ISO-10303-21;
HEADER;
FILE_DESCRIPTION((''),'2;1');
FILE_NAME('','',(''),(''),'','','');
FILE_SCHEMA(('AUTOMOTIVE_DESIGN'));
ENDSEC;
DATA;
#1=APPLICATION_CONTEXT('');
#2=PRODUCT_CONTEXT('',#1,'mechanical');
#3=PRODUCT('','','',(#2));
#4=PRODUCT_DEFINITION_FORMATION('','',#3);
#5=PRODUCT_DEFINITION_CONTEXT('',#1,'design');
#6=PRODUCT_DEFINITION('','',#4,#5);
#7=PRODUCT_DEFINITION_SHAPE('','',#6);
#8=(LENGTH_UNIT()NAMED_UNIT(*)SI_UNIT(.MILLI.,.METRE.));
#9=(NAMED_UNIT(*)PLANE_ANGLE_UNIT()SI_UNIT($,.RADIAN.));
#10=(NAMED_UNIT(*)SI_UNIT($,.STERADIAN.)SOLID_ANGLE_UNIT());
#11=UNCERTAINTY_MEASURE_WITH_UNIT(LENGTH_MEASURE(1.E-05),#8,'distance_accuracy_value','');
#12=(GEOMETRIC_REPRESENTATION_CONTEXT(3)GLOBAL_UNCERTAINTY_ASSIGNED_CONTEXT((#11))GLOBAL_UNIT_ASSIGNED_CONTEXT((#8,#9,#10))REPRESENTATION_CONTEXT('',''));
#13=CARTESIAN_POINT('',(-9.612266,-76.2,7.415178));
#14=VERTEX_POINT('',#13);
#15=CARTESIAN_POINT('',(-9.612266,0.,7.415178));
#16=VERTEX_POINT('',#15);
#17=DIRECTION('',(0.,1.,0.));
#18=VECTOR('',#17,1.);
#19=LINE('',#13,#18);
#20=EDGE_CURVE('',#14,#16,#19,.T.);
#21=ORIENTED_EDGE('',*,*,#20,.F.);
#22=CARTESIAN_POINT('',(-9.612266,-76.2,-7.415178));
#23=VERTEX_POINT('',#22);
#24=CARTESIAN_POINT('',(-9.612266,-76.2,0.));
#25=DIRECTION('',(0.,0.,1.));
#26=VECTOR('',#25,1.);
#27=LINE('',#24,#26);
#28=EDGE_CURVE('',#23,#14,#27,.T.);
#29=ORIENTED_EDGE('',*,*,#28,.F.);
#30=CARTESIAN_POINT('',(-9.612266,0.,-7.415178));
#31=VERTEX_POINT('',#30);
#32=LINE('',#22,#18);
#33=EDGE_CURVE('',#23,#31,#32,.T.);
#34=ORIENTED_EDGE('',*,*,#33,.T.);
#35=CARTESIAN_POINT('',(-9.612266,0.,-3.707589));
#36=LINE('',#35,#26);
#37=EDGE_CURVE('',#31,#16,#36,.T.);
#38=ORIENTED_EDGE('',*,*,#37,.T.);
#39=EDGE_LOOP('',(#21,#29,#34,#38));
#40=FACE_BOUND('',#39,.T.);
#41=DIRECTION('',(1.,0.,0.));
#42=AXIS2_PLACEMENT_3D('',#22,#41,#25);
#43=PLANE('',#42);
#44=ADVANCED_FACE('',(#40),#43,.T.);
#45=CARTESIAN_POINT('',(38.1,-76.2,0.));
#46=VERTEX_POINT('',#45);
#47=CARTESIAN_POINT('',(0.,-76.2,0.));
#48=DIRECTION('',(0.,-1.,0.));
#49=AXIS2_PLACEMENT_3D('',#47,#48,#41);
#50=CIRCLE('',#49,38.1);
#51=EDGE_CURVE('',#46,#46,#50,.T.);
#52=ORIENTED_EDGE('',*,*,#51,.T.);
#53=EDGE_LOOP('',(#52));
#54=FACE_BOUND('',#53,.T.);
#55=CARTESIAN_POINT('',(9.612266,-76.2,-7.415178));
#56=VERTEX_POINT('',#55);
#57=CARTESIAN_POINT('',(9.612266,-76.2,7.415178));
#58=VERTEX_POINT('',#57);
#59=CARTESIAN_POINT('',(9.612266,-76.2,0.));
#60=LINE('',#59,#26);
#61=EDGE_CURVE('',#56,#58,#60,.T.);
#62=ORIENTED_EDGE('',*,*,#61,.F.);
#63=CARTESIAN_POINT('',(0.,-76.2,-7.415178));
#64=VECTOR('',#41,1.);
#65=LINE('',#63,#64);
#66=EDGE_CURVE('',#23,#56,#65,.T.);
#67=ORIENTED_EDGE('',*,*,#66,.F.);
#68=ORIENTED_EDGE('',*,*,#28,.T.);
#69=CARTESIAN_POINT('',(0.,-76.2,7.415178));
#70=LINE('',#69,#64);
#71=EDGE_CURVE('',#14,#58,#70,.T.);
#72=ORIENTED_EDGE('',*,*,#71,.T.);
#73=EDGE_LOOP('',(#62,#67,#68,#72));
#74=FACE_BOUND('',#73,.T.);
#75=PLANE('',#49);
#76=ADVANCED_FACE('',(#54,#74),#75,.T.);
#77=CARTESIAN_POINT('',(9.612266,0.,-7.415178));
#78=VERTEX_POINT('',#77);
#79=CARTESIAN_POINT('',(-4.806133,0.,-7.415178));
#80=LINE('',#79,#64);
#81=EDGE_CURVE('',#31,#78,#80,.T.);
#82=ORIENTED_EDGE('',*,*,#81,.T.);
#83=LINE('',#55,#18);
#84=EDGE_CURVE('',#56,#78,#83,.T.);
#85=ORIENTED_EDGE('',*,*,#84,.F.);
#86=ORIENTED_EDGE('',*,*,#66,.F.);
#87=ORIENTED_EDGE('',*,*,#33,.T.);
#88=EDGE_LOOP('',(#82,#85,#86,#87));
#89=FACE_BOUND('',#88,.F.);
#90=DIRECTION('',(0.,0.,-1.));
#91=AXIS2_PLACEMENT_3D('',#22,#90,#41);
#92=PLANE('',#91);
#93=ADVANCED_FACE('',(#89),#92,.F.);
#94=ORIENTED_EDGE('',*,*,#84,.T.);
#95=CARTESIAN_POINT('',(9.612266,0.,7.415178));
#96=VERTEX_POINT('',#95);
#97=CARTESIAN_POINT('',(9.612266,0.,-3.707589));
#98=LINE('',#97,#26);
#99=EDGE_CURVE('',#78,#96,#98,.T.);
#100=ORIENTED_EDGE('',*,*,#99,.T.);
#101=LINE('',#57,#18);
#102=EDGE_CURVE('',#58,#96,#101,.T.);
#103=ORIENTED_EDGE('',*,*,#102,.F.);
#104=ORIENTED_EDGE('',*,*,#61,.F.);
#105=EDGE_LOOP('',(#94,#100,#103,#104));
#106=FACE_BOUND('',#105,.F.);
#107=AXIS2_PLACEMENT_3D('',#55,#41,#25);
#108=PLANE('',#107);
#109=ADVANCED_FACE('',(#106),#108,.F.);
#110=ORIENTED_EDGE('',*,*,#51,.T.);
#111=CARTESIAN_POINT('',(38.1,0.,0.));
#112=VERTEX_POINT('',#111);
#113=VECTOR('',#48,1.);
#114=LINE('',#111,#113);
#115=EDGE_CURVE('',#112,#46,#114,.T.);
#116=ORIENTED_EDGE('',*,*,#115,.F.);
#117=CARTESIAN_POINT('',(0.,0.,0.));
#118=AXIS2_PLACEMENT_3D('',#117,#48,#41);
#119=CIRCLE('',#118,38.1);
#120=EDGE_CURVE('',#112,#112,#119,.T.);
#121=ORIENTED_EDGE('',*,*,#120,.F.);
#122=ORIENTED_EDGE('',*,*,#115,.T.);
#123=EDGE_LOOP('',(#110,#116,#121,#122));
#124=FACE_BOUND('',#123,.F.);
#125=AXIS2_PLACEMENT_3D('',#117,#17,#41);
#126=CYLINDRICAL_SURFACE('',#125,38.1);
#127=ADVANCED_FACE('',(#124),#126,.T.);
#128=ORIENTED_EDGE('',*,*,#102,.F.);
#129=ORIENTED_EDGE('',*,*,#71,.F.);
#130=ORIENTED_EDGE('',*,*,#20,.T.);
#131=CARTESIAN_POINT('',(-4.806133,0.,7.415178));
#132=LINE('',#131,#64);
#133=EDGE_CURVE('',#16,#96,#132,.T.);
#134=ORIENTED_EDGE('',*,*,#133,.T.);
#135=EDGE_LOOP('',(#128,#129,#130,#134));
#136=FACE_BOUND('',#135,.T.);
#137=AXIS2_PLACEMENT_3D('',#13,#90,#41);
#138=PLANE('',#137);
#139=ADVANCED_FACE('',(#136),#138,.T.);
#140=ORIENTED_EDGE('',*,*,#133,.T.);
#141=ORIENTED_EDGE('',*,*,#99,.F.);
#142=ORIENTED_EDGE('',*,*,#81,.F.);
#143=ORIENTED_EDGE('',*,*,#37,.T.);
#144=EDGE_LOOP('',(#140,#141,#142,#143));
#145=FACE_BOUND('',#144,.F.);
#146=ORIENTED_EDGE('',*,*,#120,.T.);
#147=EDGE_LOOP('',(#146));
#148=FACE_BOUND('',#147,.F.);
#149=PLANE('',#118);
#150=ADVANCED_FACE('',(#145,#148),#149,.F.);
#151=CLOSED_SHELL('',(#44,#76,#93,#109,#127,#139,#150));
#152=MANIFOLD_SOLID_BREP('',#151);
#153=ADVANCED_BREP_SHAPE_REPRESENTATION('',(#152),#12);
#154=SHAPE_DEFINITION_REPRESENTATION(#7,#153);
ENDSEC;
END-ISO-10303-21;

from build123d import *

# Parameters (mm, degrees)
F0_R     = 38.1
F1_DEPTH = 76.2
F2_W     = 19.224532
F2_H     = 14.830356
F3_DEPTH = 76.201


with BuildPart() as f1:
    # F0 (on Front) → F1 (new body)
    with BuildSketch(Plane.XZ):
        Circle(F0_R)
    extrude(amount=F1_DEPTH)

    # F2 (on face) → F3 (cut, through all)
    with BuildSketch(Plane.XZ.offset(76.2)):
        Rectangle(F2_W, F2_H)
    extrude(amount=-F3_DEPTH, mode=Mode.SUBTRACT)


solid = f1.part
